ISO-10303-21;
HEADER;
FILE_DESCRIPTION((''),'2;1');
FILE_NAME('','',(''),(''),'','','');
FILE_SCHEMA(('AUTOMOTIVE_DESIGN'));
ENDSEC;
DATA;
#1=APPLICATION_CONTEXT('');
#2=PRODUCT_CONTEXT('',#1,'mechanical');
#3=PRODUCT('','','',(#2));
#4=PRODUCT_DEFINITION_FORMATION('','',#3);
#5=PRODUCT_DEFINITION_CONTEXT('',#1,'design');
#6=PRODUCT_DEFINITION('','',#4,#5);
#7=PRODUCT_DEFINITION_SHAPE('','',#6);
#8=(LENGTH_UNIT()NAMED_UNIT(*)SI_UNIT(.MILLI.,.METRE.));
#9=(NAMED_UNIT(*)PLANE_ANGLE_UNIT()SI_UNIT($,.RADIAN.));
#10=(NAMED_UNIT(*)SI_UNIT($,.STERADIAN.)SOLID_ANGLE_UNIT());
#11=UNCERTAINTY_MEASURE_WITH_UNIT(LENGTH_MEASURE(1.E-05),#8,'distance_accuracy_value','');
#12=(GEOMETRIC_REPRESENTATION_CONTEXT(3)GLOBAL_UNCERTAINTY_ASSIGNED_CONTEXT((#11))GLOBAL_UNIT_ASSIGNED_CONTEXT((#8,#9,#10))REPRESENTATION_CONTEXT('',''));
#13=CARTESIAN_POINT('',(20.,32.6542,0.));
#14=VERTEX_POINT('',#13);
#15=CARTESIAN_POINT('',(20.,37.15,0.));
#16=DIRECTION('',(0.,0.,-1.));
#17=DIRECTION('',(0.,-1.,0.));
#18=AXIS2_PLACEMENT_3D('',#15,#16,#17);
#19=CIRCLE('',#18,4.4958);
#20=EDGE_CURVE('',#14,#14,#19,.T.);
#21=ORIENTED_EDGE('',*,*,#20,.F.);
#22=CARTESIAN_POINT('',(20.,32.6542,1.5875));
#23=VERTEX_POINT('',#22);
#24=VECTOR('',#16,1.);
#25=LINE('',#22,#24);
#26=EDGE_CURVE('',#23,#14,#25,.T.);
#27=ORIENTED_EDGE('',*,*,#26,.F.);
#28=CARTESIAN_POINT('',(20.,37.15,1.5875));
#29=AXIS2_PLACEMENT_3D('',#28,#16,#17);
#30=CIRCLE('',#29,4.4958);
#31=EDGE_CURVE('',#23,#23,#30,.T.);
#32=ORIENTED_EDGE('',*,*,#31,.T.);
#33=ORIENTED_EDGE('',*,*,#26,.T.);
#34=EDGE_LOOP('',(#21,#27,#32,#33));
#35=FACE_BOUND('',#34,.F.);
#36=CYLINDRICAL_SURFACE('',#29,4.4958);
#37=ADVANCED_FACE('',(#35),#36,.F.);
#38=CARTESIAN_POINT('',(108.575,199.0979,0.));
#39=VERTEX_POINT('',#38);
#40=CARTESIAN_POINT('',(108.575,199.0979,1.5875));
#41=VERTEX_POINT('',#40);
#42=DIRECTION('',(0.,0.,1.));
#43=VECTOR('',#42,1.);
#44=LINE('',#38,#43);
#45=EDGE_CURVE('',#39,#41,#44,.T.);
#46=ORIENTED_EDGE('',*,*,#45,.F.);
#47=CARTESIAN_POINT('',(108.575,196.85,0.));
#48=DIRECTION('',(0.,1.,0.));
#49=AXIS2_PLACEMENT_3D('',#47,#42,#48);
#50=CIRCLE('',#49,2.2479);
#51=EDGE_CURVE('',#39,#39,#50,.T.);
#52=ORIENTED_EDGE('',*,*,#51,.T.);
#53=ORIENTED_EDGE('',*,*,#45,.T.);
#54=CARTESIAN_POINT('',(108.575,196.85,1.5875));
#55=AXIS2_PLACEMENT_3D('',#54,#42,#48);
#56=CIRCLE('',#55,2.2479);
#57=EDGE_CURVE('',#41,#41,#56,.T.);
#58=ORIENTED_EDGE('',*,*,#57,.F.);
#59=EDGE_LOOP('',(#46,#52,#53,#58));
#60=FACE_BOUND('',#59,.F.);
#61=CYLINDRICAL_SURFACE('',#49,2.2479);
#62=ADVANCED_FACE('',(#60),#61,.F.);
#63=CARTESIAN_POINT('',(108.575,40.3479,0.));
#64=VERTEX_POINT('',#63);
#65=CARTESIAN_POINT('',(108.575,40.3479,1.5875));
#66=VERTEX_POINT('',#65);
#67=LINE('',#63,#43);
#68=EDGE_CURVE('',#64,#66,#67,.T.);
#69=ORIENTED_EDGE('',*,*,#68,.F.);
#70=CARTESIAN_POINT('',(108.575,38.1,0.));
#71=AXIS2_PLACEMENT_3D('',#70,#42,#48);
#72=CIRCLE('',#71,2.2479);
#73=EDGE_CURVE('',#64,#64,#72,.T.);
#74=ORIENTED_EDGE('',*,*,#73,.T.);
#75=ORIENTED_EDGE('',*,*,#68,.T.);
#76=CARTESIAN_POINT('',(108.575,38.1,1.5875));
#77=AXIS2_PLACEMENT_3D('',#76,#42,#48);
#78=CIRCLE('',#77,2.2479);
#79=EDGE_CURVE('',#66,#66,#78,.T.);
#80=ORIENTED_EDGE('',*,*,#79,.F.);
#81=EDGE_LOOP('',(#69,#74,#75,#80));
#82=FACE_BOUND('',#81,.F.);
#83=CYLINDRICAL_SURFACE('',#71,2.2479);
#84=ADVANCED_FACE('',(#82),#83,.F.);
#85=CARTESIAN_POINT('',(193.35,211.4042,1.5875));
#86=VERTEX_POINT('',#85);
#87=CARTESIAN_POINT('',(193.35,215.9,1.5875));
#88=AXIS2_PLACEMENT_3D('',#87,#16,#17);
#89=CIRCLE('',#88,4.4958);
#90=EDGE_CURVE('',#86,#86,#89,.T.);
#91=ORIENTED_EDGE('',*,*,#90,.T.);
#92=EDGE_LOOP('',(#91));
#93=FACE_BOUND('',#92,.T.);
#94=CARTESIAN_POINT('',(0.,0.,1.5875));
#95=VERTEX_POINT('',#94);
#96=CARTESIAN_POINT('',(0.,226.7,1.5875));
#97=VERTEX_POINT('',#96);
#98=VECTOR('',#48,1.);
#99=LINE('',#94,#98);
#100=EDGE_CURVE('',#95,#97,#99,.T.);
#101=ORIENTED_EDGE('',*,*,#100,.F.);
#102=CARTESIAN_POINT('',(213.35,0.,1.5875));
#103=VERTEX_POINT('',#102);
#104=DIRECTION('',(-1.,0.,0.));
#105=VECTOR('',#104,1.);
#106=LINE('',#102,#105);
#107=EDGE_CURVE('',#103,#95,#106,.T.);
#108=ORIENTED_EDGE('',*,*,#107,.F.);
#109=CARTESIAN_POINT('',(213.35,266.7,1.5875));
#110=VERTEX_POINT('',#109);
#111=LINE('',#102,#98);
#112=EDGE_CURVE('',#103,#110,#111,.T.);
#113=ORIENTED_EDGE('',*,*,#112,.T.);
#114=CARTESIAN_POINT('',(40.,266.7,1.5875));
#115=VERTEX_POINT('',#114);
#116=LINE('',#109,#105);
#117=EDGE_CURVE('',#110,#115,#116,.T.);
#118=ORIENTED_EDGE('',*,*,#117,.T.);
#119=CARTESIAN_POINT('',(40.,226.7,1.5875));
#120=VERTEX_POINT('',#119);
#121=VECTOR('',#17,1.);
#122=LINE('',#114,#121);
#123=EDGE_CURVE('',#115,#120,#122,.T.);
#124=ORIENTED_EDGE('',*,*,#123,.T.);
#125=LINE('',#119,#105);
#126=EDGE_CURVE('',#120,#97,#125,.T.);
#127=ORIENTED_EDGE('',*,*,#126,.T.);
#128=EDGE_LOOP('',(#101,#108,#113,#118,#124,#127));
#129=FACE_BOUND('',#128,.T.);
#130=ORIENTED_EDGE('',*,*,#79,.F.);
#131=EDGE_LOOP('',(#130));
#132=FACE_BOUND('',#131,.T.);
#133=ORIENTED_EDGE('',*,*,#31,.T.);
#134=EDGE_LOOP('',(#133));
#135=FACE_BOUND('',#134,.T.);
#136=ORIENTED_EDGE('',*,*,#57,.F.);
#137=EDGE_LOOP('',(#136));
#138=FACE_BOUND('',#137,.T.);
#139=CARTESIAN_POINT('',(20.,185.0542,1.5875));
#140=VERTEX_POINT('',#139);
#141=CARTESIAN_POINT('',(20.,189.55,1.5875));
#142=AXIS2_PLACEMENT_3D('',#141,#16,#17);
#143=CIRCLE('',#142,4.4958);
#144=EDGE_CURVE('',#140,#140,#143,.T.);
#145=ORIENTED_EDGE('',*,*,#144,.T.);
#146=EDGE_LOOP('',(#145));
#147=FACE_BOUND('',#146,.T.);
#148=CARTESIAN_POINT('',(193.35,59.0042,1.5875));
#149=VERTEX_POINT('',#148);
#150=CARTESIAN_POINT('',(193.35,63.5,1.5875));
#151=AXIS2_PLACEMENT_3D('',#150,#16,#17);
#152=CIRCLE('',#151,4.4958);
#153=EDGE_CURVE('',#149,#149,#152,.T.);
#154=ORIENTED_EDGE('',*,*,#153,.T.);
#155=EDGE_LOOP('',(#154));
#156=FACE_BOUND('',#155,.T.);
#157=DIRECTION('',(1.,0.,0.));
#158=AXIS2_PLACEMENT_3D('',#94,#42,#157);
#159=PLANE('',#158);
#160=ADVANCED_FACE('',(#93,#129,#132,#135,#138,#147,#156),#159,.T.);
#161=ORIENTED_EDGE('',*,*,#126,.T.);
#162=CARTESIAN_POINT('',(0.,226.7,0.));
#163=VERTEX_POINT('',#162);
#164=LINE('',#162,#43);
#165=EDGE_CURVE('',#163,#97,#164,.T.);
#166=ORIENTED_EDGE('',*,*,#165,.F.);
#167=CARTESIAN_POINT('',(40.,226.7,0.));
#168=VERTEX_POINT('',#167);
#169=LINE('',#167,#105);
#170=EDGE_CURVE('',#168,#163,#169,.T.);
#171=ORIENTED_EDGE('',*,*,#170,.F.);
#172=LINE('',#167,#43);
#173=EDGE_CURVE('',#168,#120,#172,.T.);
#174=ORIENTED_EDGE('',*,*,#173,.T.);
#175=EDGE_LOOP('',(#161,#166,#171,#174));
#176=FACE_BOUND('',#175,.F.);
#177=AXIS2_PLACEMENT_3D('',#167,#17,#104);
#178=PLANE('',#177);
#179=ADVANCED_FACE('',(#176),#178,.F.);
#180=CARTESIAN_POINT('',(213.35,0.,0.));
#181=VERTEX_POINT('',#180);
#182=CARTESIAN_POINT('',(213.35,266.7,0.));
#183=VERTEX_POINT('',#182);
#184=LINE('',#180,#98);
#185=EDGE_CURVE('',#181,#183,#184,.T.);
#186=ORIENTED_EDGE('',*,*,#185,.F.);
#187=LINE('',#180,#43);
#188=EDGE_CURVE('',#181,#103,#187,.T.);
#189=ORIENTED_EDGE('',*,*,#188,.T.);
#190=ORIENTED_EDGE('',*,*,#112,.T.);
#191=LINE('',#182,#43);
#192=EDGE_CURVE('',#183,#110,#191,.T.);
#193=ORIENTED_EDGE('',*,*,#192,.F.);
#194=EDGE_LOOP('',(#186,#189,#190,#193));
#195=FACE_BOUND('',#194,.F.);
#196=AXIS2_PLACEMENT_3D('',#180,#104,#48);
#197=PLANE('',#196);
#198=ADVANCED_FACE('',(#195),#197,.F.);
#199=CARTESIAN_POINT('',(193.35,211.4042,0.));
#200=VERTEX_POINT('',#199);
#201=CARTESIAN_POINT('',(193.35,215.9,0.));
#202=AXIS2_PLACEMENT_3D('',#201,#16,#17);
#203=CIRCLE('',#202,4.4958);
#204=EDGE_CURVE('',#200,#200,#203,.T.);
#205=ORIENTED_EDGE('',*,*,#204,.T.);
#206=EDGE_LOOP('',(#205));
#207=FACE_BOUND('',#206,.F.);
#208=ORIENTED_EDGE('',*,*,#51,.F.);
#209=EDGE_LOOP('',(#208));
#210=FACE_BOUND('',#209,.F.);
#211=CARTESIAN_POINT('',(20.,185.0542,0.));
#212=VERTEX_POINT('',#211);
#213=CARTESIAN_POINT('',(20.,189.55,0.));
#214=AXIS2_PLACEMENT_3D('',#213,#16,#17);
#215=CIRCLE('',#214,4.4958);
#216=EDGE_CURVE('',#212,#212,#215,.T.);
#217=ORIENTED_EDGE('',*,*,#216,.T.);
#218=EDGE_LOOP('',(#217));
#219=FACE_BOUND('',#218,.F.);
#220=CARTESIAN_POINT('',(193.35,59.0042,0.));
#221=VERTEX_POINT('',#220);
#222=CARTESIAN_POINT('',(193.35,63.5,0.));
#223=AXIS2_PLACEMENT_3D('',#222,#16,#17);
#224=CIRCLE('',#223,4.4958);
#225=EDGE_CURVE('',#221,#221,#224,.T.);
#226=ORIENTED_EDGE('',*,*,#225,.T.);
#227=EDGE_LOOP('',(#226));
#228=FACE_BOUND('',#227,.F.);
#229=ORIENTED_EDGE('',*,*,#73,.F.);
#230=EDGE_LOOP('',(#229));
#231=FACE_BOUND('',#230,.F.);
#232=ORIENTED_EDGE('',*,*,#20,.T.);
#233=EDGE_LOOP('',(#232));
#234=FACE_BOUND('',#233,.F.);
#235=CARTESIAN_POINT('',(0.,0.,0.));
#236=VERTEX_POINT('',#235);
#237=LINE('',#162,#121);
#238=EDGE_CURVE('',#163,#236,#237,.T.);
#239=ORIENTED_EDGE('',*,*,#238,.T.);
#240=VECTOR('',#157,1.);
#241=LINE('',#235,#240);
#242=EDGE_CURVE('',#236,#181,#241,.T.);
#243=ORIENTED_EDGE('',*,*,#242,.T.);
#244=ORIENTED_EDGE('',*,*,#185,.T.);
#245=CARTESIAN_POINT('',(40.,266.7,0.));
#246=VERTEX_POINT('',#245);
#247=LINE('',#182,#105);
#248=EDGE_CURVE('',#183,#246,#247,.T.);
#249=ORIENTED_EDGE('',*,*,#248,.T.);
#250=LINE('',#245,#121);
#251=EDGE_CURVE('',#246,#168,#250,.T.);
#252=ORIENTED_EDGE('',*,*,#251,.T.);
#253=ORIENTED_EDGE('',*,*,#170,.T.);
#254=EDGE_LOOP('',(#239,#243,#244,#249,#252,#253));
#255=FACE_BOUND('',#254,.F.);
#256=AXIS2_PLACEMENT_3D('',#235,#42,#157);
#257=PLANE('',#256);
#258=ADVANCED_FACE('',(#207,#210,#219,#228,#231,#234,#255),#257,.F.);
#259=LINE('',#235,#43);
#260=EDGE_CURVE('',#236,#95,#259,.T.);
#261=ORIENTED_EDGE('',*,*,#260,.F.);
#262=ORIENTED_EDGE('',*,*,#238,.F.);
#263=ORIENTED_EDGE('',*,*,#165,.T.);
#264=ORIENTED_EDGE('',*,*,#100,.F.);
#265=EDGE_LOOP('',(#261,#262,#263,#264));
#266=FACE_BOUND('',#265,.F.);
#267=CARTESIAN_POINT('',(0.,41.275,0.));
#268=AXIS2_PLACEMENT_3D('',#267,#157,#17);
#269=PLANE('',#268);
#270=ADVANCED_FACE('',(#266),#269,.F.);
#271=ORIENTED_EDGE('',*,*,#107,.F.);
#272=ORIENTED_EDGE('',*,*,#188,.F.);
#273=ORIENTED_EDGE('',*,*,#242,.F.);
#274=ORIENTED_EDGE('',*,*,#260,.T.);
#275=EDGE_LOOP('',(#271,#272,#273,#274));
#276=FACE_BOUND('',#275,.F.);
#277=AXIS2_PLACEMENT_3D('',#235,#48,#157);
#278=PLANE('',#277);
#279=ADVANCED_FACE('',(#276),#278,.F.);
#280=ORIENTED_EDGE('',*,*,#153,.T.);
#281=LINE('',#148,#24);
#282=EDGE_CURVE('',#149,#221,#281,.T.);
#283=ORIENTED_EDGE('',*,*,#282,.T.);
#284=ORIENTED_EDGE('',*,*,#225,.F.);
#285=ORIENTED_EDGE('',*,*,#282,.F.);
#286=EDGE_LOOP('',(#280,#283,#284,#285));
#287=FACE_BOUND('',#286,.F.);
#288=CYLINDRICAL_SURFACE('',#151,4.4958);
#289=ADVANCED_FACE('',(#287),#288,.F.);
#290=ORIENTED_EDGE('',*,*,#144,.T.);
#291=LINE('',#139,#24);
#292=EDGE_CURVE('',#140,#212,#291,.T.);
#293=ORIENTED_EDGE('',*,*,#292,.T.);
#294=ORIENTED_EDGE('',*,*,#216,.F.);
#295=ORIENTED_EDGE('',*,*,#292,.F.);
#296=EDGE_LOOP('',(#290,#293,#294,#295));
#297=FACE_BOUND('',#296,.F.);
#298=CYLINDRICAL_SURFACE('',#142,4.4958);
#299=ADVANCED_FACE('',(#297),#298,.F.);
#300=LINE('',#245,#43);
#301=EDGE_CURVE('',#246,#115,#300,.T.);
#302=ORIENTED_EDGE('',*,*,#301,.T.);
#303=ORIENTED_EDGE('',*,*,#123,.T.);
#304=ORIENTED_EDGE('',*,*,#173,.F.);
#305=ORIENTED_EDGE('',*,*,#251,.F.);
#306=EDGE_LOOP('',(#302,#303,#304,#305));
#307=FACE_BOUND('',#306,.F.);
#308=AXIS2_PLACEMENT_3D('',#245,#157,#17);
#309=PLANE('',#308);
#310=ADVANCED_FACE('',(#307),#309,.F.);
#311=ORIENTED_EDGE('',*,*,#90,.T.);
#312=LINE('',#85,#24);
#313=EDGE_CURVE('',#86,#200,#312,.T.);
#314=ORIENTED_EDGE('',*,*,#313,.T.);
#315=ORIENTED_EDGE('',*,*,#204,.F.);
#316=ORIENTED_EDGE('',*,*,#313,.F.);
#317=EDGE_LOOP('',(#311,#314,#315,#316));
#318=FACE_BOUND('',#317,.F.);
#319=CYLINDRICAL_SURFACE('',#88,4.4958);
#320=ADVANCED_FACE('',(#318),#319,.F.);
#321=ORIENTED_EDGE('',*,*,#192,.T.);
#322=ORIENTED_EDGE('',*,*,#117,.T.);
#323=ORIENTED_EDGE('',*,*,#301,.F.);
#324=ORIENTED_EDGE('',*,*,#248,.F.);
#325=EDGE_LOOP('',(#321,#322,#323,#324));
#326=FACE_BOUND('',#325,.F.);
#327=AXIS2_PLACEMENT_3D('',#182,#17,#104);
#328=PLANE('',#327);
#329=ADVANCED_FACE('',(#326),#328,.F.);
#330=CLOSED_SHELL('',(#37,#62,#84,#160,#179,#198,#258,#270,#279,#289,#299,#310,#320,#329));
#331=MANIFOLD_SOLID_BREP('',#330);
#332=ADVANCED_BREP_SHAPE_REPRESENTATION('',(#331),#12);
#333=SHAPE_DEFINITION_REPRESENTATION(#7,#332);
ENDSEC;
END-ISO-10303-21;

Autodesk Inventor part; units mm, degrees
ref_plane "YZ Plane" through (0, 0, 0) normal (1, 0, 0) x (0, 1, 0)
ref_plane "XZ Plane" through (0, 0, 0) normal (0, 1, 0) x (-1, 0, 0)
ref_plane "XY Plane" through (0, 0, 0) normal (0, 0, 1) x (1, 0, 0)
sketch "Sketch1" plane through (0, 0, 0) normal (0, 0, 1) x (1, 0, 0)
  line L0 (0, 0) -> (213.35, 0)
  line L1 (213.35, 0) -> (213.35, 266.7)
  line L2 (213.35, 266.7) -> (0, 266.7)
  line L3 (0, 266.7) -> (0, 0)
  line L4 (0, 0) -> (41.275, 0)
  line L5 (0, 41.275) -> (0, 0)
  line L6 (0, 266.7) -> (40, 266.7)
  line L7 (40, 266.7) -> (40, 226.7)
  line L8 (40, 226.7) -> (0, 226.7)
  line L9 (0, 226.7) -> (0, 266.7)
  dimension "d0" = 266.7
  dimension "d1" = 213.35
  dimension "d4" = 40
extrude "Extrusion1" add sketch "Sketch1" along normal blind 1.5875 contours L3 L8 L7 L2 L1 L0
sketch "Sketch2" plane through (0, 0, 1.5875) normal (0, 0, 1) x (1, 0, 0)
  line L0 (213.35, 0) -> (0, 0)
  line L1 (213.35, 266.7) -> (213.35, 0)
  line L2 (40, 266.7) -> (213.35, 266.7)
  line L3 (20, 189.55) -> (20, 37.15)
  line L4 (40, 266.7) -> (40, 226.7) projected
  line L5 (40, 266.7) -> (213.35, 266.7) projected
  line L6 (0, 0) -> (0, 226.7)
  line L7 (0, 226.7) -> (40, 226.7)
  line L8 (213.35, 266.7) -> (213.35, 0) projected
  line L9 (193.35, 215.9) -> (193.35, 63.5)
  point P0 (41.275, 0)
  point P1 (126.675, 266.7)
  point P2 (20, 113.35)
  point P3 (0, 113.35)
  dimension "d9" = 152.4
  dimension "d19" = 20
  dimension "d20" = 20
  dimension "d21" = 152.4
  dimension "d22" = 50.8
hole "Mounting Holes" at (20, 189.55, 1.5875) at (20, 37.15, 1.5875) at (193.35, 215.9, 1.5875) at (193.35, 63.5, 1.5875) direction (0, 0, -1) diameter 8.9916 end through all clearance for "Flat Head Machine Screw" size "M8" standard "Ansi Metric M Profile"
sketch "Sketch3" plane through (0, 0, 0) normal (0, 0, -1) x (-1, 0, 0)
  line L0 (-213.35, 0) -> (-213.35, 266.7) projected
  line L1 (0, 0) -> (-213.35, 0) projected
  line L2 (0, 226.7) -> (-40, 226.7) projected
  line L3 (-108.575, 196.85) -> (-108.575, 38.1)
  dimension "d23" = 104.775
  dimension "d24" = 158.75
  dimension "d25" = 38.1
hole "DIN Rail Holes" at (108.575, 196.85, 0) at (108.575, 38.1, 0) direction (0, 0, 1) diameter 4.4958 end through all clearance for "Flat Head Machine Screw (82)" size "#8" standard "Ansi Unified Screw Threads"
properties part number "front left plate" material "Aluminum-6061"
